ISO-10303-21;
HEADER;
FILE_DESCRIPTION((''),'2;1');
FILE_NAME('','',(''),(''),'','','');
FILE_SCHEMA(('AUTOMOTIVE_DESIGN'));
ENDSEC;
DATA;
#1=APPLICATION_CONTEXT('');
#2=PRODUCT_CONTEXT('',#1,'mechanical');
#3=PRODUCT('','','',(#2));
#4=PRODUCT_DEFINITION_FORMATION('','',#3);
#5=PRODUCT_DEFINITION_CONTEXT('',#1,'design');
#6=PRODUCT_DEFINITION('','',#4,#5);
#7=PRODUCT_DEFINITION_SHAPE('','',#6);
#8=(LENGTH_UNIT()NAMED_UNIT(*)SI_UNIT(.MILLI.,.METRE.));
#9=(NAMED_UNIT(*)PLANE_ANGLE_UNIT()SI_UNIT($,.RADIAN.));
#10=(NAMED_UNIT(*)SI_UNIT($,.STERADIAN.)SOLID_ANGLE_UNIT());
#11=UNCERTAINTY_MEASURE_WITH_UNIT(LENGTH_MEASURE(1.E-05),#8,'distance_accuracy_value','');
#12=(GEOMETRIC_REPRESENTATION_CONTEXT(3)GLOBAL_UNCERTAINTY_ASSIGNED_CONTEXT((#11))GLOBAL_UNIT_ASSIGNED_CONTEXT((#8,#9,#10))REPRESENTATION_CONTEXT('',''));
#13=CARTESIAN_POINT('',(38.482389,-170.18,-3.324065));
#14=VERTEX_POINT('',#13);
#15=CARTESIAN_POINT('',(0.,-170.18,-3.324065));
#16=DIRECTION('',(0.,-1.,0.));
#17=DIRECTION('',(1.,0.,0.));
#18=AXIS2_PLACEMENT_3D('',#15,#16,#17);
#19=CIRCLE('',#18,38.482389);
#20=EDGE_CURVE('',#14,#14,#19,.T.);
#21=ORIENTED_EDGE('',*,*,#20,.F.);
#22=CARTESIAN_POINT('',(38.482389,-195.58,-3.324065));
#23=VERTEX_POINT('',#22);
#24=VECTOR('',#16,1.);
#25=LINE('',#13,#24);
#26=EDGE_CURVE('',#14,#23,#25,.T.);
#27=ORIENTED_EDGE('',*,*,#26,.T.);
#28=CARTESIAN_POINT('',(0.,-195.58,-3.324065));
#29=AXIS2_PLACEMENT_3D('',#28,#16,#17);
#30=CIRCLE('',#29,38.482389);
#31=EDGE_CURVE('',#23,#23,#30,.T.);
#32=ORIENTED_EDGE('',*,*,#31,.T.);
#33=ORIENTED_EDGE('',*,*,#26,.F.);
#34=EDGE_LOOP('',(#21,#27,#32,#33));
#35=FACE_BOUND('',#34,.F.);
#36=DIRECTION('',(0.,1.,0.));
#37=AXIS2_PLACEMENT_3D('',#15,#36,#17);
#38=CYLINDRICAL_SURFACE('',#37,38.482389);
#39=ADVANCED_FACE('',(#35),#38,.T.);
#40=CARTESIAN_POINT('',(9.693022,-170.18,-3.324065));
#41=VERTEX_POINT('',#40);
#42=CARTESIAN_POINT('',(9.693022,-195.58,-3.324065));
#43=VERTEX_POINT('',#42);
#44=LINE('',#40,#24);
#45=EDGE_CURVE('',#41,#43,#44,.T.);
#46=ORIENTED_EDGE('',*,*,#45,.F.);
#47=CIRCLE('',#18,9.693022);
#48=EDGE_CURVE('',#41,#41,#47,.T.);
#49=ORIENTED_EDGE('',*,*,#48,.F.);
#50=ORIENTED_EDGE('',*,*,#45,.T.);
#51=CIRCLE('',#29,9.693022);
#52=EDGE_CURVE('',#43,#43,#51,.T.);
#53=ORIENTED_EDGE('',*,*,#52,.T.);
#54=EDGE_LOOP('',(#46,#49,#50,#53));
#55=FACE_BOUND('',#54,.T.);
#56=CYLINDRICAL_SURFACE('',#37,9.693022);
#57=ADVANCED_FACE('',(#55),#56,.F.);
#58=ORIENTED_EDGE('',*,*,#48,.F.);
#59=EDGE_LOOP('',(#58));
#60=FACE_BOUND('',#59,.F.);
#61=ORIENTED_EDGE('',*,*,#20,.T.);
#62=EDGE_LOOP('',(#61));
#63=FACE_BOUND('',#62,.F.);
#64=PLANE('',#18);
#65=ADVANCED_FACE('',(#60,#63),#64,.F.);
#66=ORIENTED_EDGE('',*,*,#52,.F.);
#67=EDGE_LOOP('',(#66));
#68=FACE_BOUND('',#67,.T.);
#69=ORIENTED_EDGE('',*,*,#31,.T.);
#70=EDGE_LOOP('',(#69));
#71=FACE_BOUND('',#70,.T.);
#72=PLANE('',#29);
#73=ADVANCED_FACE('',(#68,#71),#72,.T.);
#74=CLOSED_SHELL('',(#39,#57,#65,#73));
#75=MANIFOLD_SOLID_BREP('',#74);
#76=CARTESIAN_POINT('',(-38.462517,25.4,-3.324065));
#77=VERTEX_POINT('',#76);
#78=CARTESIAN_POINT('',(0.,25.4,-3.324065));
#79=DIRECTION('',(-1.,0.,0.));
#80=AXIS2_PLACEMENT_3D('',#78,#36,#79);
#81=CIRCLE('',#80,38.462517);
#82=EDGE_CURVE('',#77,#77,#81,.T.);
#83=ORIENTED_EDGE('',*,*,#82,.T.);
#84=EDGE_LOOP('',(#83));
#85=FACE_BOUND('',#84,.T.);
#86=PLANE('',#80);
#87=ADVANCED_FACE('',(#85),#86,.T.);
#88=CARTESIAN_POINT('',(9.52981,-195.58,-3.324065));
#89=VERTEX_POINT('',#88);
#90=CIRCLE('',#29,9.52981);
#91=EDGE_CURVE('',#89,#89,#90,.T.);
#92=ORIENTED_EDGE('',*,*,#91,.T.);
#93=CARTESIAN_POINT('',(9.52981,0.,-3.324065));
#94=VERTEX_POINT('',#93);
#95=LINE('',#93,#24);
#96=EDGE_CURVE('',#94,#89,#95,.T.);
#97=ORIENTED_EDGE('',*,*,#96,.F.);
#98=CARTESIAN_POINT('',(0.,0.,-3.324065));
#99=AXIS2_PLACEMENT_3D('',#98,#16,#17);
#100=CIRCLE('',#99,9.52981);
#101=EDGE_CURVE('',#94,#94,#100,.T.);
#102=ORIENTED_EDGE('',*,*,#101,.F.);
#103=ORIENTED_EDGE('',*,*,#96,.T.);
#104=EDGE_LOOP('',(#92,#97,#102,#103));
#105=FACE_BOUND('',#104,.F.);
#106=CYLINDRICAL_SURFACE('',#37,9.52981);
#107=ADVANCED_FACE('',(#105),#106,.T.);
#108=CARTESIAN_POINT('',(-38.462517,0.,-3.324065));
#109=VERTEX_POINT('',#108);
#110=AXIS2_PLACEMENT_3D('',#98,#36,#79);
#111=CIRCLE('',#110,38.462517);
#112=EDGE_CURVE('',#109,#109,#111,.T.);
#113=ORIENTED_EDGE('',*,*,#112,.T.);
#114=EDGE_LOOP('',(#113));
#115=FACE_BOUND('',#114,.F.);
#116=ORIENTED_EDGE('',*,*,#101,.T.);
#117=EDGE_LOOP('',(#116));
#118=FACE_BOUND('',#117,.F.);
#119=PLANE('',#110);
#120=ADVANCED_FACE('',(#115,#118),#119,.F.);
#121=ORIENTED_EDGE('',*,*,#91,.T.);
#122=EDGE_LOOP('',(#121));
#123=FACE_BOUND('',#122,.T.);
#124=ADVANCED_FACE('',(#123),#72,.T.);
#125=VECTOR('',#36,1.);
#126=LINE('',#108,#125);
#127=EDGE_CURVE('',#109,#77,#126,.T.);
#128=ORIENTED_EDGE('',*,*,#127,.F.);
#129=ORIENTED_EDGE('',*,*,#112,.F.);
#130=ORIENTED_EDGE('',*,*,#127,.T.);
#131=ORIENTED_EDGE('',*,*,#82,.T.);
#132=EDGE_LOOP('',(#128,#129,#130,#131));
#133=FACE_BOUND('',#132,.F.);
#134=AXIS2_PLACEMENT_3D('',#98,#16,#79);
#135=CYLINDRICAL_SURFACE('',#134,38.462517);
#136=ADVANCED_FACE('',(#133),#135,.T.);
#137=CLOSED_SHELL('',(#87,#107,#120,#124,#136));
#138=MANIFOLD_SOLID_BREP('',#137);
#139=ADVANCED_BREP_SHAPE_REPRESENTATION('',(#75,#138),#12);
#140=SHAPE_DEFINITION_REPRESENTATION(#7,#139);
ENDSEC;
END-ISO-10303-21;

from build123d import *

# Parameters (mm, degrees)
F0_R      = 9.52981
F1_DEPTH  = 170.18
F3_R      = 38.462517
F4_DEPTH  = 25.4
F2_R      = 38.482389
F2_R_2    = 9.693022
F5_DEPTH  = 25.4
F1_FACE_R = 9.52981
F6_DEPTH  = 25.4


with BuildPart() as f1:
    # F0 (on Front) → F1 (new body)
    with BuildSketch(Plane.XZ):
        with Locations((0, -3.324065)):
            Circle(F0_R)
    extrude(amount=F1_DEPTH)

    # F3 (on face) → F4 (join)
    with BuildSketch(Plane(origin=(0, 0, 0), x_dir=(-1, 0, 0), z_dir=(0, 1, 0))):
        with Locations((0, -3.324065)):
            Circle(F3_R)
    extrude(amount=F4_DEPTH)

    # F1_face (on face) → F6 (join)
    with BuildSketch(Plane(origin=(0, -170.18, -3.324065), x_dir=(1, 0, 0), z_dir=(0, -1, 0))):
        Circle(F1_FACE_R)
    extrude(amount=F6_DEPTH)


with BuildPart() as f5:
    # F2 (on face) → F5 (new body)
    with BuildSketch(Plane.XZ.offset(170.18)):
        with Locations((0, -3.324065)):
            Circle(F2_R)
        with Locations((0, -3.324065)):
            Circle(F2_R_2, mode=Mode.SUBTRACT)
    extrude(amount=F5_DEPTH)


solid = Compound([f1.part, f5.part])
